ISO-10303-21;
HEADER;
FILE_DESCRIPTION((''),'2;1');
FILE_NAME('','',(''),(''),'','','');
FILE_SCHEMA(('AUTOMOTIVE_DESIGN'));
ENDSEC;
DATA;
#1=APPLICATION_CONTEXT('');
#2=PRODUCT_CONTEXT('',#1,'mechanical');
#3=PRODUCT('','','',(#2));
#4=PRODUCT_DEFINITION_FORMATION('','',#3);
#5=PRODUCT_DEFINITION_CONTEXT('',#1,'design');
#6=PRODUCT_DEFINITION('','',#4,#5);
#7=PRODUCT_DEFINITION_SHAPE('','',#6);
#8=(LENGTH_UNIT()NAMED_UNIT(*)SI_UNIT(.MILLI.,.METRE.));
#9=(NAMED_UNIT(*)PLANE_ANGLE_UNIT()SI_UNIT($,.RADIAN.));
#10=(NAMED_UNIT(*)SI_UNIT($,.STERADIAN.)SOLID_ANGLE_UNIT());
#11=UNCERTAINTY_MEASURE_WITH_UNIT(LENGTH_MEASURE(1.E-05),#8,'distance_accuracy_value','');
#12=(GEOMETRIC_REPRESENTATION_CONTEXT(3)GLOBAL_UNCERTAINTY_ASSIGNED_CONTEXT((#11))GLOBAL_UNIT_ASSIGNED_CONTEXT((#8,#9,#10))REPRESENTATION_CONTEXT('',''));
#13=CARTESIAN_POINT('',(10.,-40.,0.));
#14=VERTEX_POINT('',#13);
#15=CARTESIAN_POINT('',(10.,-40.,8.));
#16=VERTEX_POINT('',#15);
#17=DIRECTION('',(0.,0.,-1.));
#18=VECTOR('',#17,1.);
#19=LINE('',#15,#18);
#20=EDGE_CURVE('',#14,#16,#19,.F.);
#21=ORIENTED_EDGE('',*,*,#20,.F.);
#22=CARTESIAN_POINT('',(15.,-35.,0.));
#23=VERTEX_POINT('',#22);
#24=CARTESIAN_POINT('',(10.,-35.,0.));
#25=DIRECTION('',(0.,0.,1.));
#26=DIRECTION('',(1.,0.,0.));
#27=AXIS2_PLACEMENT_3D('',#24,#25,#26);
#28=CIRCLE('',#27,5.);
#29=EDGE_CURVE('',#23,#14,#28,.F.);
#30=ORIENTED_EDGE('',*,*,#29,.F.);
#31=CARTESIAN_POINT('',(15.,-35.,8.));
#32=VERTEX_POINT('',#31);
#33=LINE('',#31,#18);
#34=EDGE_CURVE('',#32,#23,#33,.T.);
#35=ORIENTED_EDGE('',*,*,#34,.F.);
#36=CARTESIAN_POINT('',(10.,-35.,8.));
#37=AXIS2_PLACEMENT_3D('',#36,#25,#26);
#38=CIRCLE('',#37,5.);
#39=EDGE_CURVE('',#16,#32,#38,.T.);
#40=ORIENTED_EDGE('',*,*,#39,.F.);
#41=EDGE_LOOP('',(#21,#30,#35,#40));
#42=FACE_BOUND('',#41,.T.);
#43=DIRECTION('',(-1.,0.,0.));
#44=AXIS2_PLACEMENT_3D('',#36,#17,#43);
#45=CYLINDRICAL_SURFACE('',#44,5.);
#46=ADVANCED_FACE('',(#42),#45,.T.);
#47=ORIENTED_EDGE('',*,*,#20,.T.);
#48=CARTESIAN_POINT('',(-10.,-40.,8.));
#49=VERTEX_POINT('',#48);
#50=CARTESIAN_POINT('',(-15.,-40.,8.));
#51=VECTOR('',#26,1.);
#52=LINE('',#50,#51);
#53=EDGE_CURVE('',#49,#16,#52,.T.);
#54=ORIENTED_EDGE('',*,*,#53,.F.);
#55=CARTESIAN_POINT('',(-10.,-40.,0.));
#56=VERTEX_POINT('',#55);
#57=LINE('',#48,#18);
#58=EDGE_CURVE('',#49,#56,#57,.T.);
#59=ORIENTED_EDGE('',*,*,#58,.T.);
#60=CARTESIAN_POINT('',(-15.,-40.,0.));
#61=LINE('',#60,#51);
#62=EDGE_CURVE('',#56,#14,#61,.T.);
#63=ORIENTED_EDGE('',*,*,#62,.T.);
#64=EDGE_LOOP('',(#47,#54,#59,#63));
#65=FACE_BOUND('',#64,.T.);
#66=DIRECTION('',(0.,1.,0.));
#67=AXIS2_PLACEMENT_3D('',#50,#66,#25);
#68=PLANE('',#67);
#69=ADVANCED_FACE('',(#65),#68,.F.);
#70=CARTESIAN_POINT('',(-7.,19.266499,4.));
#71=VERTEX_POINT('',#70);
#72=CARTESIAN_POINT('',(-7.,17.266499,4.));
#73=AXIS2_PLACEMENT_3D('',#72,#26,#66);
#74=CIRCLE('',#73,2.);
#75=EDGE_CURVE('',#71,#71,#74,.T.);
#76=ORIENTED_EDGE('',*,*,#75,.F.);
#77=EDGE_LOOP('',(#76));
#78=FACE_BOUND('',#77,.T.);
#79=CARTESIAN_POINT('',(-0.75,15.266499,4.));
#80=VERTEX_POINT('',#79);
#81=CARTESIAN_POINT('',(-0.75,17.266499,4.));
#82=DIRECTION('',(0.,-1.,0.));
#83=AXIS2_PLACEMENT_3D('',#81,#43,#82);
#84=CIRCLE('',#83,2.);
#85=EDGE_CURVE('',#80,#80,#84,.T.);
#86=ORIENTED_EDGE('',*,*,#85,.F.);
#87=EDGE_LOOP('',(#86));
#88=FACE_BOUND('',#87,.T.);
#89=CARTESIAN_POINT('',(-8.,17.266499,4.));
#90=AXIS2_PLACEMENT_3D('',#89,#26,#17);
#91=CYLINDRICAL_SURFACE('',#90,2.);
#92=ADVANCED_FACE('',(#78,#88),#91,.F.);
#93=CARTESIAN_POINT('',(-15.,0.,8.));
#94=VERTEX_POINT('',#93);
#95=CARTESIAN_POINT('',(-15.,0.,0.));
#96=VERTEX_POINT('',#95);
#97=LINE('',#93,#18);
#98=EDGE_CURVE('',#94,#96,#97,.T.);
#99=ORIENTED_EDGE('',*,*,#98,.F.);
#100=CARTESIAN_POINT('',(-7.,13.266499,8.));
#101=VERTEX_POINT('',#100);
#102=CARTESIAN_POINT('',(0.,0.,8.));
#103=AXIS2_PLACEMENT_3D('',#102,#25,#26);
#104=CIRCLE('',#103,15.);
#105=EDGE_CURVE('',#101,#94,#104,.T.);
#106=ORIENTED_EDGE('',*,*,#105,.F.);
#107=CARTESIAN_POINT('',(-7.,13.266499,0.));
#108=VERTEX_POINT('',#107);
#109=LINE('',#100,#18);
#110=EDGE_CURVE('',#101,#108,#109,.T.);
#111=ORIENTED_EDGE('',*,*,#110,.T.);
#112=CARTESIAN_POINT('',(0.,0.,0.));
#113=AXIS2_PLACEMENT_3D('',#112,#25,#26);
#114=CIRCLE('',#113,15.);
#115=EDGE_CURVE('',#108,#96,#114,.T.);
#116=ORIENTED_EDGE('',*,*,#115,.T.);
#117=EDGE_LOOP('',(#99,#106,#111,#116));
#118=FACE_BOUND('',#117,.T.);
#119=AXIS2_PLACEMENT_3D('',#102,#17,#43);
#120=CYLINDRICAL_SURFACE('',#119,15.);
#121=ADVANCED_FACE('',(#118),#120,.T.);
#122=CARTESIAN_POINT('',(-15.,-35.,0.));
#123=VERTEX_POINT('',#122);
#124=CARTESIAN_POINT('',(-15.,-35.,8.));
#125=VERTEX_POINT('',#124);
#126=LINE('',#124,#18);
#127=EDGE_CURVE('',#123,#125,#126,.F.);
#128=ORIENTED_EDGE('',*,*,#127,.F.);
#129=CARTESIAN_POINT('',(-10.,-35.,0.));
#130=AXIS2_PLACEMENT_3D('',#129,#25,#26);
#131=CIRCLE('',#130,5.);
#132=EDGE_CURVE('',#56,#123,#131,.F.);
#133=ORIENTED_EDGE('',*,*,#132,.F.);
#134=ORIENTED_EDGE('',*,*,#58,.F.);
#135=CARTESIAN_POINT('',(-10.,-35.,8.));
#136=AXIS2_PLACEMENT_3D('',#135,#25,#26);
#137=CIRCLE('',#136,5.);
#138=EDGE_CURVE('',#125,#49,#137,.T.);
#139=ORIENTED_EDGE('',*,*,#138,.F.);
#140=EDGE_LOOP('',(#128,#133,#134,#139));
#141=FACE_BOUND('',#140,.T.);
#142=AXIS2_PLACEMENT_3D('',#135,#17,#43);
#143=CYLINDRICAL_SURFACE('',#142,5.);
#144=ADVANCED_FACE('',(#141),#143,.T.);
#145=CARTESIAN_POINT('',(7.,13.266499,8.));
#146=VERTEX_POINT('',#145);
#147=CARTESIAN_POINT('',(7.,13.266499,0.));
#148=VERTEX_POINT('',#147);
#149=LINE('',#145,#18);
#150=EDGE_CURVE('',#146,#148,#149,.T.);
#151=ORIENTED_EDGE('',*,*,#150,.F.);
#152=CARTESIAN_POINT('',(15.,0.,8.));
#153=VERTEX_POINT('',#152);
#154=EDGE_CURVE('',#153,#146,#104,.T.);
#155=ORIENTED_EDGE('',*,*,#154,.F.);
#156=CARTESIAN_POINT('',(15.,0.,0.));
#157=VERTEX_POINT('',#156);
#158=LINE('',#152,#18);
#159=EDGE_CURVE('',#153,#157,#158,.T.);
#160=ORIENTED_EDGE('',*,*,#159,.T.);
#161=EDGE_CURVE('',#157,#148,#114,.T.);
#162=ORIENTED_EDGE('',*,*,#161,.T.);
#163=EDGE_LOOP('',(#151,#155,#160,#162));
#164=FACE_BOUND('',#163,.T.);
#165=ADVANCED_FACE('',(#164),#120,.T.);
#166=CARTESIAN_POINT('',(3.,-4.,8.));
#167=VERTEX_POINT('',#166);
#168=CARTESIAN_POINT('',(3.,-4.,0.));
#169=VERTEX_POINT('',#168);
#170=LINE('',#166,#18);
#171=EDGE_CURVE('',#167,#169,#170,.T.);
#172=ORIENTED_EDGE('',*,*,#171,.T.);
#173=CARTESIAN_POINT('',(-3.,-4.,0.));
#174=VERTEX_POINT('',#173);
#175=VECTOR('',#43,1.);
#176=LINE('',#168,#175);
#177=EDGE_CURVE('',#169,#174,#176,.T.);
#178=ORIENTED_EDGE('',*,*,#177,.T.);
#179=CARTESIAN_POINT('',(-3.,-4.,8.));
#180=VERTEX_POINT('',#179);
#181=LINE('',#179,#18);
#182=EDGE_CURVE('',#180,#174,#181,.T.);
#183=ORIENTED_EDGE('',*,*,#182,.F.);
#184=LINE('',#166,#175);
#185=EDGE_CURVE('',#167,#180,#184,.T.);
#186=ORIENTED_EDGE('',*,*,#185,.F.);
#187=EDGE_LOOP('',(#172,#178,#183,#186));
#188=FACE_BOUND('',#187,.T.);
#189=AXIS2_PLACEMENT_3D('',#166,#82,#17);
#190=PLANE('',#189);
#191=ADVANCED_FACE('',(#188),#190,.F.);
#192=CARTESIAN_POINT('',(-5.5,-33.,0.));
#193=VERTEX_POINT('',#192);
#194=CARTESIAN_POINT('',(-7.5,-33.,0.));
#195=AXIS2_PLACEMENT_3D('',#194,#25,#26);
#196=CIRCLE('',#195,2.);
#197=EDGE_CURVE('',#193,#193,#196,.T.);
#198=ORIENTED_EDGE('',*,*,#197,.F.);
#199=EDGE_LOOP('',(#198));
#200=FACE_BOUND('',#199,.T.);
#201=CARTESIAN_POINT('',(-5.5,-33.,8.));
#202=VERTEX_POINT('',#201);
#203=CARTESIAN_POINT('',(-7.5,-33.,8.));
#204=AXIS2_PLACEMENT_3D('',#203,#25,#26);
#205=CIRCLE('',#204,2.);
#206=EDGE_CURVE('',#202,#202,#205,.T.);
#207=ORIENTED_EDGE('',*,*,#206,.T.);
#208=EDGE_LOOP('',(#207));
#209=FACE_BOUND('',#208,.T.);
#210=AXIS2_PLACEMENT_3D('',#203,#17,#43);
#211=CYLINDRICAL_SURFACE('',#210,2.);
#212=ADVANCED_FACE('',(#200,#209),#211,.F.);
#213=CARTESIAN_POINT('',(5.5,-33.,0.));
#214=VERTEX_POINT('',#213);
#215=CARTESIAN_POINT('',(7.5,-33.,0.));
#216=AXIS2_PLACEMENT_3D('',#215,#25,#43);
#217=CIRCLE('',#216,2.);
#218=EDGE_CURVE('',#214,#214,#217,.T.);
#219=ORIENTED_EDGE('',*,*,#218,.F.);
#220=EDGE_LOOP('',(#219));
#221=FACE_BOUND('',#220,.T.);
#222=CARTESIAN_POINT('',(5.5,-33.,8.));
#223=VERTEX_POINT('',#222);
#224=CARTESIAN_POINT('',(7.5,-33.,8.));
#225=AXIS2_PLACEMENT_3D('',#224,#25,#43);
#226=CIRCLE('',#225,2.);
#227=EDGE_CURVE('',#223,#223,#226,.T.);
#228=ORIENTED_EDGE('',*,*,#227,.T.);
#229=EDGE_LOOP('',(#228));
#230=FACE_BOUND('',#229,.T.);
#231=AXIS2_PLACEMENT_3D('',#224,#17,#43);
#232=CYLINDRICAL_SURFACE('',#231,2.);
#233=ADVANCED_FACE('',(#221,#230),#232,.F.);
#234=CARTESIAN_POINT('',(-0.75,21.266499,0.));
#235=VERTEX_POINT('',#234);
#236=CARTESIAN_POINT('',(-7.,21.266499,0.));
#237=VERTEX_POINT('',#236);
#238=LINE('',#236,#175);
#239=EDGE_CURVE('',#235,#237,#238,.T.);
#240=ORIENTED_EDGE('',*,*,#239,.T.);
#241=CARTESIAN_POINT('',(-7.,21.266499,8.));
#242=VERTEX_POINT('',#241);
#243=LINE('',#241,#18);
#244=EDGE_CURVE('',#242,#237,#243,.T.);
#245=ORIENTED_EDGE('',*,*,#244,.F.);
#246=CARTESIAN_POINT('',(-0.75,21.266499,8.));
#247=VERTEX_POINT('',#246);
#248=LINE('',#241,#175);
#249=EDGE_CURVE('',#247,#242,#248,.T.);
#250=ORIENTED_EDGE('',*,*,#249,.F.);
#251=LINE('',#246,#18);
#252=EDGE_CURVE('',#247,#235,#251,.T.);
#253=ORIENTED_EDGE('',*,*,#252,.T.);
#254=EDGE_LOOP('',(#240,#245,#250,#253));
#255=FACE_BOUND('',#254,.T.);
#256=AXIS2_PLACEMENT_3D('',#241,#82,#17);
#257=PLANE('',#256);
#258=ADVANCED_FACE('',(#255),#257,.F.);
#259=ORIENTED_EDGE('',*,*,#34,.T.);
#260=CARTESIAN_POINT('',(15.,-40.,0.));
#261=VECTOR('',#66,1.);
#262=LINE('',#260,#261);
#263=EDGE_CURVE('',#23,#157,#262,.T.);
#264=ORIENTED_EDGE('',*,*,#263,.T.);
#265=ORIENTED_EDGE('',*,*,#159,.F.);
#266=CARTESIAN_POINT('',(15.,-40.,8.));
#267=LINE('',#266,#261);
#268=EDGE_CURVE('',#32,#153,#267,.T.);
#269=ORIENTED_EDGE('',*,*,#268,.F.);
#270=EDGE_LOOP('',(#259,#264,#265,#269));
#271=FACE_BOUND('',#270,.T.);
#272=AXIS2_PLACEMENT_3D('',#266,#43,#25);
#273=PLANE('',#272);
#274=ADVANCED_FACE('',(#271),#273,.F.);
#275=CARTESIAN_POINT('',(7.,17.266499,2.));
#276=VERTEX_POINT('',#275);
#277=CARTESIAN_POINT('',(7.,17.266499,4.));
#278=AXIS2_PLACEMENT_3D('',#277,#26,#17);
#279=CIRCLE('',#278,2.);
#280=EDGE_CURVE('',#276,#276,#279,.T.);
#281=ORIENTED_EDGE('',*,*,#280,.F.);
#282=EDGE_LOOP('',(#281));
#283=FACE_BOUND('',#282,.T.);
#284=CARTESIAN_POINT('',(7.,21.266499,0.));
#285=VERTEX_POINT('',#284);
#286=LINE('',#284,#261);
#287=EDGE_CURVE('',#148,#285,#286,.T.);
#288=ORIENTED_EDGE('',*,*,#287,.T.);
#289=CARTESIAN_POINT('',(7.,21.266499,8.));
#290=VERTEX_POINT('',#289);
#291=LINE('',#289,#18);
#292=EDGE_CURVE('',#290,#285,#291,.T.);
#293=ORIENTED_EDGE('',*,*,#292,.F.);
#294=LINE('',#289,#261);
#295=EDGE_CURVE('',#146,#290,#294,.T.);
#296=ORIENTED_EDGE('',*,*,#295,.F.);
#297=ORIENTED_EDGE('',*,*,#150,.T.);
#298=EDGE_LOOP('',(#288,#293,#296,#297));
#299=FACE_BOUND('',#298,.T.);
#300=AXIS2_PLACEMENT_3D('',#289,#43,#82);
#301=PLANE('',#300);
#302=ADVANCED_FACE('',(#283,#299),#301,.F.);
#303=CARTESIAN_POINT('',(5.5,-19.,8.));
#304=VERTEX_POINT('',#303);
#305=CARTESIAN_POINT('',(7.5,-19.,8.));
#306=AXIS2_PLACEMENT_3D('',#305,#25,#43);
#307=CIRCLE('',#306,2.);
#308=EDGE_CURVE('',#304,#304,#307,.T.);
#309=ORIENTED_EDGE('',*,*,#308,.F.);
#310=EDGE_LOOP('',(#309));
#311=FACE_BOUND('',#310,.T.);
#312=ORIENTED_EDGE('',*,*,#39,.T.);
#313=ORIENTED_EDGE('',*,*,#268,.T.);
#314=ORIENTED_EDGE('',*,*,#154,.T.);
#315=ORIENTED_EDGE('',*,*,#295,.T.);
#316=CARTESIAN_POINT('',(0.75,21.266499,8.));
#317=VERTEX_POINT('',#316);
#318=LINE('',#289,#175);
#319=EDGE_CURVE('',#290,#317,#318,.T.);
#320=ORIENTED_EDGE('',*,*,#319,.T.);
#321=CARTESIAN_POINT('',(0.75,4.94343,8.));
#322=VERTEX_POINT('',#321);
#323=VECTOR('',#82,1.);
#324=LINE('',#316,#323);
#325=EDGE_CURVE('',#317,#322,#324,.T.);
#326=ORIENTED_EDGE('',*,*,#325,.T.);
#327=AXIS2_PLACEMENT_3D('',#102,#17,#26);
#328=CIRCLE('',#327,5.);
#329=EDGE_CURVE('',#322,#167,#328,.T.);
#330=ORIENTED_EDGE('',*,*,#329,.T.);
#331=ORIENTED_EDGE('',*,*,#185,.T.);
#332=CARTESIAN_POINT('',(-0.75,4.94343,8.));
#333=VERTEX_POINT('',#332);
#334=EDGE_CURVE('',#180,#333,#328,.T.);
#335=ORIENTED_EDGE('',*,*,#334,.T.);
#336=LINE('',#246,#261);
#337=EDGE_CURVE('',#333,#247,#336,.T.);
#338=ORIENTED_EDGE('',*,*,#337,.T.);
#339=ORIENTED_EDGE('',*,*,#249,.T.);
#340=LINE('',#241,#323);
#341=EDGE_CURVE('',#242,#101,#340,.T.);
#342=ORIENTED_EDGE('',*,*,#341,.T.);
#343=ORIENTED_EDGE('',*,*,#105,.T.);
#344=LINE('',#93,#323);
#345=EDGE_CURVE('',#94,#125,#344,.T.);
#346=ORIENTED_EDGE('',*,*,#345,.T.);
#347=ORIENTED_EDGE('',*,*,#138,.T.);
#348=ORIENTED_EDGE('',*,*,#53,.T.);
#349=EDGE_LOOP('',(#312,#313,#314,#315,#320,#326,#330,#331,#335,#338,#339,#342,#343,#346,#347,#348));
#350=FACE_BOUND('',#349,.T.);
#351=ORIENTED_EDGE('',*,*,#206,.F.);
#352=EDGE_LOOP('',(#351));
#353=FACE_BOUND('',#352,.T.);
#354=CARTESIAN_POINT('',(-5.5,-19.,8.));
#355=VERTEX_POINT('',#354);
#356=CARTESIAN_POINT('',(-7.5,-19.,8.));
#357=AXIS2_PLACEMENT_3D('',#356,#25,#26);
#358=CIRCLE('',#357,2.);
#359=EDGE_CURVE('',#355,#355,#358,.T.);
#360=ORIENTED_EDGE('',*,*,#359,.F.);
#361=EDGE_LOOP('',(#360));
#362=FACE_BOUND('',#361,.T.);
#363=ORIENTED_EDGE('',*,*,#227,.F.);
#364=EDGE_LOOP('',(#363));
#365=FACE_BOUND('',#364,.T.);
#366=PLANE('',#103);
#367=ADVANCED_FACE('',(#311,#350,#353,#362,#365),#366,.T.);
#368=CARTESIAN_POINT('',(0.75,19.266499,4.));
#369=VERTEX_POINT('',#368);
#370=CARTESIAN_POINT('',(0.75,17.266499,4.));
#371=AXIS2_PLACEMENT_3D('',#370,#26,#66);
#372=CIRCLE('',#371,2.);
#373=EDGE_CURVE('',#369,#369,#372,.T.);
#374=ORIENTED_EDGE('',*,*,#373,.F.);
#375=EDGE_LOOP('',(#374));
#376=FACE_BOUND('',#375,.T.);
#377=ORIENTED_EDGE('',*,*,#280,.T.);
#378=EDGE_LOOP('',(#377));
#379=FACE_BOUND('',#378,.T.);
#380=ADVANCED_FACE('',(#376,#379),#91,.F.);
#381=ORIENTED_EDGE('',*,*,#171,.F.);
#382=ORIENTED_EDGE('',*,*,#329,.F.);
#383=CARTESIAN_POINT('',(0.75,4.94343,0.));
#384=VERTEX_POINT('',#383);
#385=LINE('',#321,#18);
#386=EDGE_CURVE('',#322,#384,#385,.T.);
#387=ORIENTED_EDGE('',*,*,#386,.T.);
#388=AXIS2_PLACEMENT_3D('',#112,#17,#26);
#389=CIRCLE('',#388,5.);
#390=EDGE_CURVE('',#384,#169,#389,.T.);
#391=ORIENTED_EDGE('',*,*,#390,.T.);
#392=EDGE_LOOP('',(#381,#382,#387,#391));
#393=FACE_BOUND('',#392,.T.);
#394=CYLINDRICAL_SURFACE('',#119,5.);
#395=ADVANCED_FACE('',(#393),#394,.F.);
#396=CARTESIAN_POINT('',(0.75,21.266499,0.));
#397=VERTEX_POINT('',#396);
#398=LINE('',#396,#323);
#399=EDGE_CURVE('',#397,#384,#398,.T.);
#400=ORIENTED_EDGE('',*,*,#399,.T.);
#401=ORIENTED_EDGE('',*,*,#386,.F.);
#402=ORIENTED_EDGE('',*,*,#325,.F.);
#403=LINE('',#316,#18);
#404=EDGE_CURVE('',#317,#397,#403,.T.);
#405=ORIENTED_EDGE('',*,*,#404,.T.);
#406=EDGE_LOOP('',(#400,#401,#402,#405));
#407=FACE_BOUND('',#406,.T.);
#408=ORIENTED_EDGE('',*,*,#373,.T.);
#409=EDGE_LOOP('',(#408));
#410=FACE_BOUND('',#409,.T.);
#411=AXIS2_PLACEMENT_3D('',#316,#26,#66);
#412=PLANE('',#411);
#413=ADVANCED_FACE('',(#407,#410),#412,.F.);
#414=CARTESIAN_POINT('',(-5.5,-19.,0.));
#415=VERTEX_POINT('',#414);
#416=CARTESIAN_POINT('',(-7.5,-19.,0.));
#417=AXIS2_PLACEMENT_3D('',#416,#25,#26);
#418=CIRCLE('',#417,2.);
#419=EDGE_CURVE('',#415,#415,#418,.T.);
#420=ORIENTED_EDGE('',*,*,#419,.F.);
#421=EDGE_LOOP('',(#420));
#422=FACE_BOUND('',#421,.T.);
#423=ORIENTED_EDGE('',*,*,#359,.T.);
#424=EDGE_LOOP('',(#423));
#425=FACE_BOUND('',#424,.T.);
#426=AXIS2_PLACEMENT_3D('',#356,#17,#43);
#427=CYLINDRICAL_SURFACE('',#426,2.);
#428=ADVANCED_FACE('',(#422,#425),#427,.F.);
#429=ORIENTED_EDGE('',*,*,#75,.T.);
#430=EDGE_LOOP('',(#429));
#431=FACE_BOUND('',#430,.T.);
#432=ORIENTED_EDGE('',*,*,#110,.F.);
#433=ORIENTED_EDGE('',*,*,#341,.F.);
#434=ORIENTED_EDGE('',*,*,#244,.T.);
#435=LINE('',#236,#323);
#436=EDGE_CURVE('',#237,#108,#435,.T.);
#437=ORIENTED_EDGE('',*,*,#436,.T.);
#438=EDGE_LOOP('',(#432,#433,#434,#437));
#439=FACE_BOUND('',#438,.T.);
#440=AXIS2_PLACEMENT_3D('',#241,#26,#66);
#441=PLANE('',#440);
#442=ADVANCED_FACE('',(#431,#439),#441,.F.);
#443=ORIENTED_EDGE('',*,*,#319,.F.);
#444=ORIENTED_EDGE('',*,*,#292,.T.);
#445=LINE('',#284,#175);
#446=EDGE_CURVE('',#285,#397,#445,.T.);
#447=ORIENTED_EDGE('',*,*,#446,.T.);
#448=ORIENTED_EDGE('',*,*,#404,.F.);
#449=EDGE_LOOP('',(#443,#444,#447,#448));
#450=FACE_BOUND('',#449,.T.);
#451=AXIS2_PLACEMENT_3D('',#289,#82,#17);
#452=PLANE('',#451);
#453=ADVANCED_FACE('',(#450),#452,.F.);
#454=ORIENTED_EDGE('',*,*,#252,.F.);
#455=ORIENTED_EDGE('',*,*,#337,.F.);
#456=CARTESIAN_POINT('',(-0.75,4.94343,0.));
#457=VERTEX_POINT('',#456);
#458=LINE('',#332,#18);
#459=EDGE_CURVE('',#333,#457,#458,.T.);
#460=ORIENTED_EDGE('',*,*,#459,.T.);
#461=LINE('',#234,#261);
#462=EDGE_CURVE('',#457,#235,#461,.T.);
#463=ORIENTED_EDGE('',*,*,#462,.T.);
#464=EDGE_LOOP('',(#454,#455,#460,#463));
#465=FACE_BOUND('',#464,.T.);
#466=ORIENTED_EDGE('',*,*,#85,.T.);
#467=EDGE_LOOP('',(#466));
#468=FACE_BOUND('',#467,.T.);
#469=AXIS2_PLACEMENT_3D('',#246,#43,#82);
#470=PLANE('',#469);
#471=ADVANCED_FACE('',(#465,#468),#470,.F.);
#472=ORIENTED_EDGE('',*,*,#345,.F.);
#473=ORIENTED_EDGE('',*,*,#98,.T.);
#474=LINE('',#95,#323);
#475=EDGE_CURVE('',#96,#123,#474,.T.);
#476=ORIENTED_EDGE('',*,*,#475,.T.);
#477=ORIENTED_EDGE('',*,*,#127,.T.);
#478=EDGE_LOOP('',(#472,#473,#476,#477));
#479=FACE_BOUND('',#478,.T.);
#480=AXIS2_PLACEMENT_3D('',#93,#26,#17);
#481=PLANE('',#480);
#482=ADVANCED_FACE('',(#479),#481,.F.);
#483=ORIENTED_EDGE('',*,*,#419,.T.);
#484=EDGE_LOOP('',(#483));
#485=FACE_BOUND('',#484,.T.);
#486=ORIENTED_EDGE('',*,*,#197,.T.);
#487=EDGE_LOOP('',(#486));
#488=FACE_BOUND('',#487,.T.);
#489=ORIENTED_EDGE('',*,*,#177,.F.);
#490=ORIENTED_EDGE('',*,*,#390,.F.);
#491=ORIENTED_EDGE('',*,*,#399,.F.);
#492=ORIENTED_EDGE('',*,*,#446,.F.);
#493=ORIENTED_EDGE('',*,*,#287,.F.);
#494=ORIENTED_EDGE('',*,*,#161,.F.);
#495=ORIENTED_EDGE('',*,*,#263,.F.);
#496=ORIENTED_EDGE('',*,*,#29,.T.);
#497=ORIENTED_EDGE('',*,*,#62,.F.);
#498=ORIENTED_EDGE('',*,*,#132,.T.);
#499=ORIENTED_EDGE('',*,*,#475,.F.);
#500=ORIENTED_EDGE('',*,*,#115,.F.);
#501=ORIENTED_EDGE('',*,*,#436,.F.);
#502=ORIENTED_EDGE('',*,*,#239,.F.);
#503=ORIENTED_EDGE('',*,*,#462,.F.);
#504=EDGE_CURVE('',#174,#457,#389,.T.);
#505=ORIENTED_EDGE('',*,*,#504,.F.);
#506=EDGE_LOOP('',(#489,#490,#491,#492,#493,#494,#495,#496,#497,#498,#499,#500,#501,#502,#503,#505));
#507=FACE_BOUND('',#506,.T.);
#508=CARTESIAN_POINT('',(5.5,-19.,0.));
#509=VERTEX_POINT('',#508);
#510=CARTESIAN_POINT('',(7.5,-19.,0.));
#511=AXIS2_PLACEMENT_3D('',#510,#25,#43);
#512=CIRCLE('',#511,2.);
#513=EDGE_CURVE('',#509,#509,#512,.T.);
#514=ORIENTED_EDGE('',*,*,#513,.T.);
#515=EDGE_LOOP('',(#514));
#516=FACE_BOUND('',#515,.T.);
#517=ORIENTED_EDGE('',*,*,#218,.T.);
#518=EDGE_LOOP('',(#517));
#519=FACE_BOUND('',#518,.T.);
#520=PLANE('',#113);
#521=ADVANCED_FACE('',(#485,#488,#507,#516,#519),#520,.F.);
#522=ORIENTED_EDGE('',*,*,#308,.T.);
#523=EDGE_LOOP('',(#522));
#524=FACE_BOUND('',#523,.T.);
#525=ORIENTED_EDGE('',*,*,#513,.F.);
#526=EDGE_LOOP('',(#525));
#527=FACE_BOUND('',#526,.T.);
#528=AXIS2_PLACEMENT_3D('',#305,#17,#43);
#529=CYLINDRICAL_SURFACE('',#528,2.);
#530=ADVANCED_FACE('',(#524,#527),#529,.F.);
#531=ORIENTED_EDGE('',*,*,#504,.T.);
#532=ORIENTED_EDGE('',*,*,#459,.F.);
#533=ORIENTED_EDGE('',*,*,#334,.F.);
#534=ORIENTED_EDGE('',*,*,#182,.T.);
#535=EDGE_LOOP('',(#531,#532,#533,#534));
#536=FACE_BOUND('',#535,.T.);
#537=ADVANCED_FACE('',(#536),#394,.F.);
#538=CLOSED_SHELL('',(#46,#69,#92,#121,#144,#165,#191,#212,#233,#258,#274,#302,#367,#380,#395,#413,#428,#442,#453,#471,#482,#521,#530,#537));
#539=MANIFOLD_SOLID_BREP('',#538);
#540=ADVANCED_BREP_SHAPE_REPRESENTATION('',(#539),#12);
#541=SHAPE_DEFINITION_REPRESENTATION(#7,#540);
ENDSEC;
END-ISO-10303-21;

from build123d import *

# Parameters (mm, degrees)
SKETCH_1_R          = 2
EXTRUDE_1_DEPTH     = 8
SKETCH_2_R          = 2
CUT_EXTRUDE_1_DEPTH = 15
FILLET_2_R          = 5


with BuildPart() as part:
    # 草图1 → 凸台-拉伸1 (new body)
    with BuildSketch(Plane.XY):
        with BuildLine():
            Line((-15, 0), (-15, -40))
            Line((-15, -40), (15, -40))
            Line((15, -40), (15, 0))
            ThreePointArc((15, 0), (12.845232579, 7.745966692), (7, 13.266499161))
            Line((7, 13.266499161), (7, 21.266499161))
            Line((7, 21.266499161), (0.75, 21.266499161))
            Line((0.75, 21.266499161), (0.75, 4.943429983))
            ThreePointArc((0.75, 4.943429983), (4.848902965, 1.219893452), (3, -4))
            Line((3, -4), (-3, -4))
            ThreePointArc((-3, -4), (-4.848902965, 1.219893452), (-0.75, 4.943429983))
            Line((-0.75, 4.943429983), (-0.75, 21.266499161))
            Line((-0.75, 21.266499161), (-7, 21.266499161))
            Line((-7, 21.266499161), (-7, 13.266499161))
            ThreePointArc((-7, 13.266499161), (-12.845232579, 7.745966692), (-15, 0))
        make_face()
        with Locations((-7.5, -19)):
            Circle(SKETCH_1_R, mode=Mode.SUBTRACT)
        with Locations((-7.5, -33)):
            Circle(SKETCH_1_R, mode=Mode.SUBTRACT)
        with Locations(Location((7.5, -33, 0), (0, 0, 180))):
            Circle(SKETCH_1_R, mode=Mode.SUBTRACT)
        with Locations(Location((7.5, -19, 0), (0, 0, 180))):
            Circle(SKETCH_1_R, mode=Mode.SUBTRACT)
    extrude(amount=EXTRUDE_1_DEPTH)

    # 草图2 → 切除-拉伸1 (cut)
    with BuildSketch(Plane(origin=(7, 0, 0), x_dir=(0, 0, -1), z_dir=(1, 0, 0))):
        with Locations((-4, 17.266499161)):
            Circle(SKETCH_2_R)
    extrude(amount=-CUT_EXTRUDE_1_DEPTH, mode=Mode.SUBTRACT)

    # 圆角2
    fillet_2_edges = [part.edges().sort_by_distance(p)[0] for p in [
        (15, -40, 4),
        (-15, -40, 4),
    ]]
    fillet(fillet_2_edges, radius=FILLET_2_R)


solid = part.part
